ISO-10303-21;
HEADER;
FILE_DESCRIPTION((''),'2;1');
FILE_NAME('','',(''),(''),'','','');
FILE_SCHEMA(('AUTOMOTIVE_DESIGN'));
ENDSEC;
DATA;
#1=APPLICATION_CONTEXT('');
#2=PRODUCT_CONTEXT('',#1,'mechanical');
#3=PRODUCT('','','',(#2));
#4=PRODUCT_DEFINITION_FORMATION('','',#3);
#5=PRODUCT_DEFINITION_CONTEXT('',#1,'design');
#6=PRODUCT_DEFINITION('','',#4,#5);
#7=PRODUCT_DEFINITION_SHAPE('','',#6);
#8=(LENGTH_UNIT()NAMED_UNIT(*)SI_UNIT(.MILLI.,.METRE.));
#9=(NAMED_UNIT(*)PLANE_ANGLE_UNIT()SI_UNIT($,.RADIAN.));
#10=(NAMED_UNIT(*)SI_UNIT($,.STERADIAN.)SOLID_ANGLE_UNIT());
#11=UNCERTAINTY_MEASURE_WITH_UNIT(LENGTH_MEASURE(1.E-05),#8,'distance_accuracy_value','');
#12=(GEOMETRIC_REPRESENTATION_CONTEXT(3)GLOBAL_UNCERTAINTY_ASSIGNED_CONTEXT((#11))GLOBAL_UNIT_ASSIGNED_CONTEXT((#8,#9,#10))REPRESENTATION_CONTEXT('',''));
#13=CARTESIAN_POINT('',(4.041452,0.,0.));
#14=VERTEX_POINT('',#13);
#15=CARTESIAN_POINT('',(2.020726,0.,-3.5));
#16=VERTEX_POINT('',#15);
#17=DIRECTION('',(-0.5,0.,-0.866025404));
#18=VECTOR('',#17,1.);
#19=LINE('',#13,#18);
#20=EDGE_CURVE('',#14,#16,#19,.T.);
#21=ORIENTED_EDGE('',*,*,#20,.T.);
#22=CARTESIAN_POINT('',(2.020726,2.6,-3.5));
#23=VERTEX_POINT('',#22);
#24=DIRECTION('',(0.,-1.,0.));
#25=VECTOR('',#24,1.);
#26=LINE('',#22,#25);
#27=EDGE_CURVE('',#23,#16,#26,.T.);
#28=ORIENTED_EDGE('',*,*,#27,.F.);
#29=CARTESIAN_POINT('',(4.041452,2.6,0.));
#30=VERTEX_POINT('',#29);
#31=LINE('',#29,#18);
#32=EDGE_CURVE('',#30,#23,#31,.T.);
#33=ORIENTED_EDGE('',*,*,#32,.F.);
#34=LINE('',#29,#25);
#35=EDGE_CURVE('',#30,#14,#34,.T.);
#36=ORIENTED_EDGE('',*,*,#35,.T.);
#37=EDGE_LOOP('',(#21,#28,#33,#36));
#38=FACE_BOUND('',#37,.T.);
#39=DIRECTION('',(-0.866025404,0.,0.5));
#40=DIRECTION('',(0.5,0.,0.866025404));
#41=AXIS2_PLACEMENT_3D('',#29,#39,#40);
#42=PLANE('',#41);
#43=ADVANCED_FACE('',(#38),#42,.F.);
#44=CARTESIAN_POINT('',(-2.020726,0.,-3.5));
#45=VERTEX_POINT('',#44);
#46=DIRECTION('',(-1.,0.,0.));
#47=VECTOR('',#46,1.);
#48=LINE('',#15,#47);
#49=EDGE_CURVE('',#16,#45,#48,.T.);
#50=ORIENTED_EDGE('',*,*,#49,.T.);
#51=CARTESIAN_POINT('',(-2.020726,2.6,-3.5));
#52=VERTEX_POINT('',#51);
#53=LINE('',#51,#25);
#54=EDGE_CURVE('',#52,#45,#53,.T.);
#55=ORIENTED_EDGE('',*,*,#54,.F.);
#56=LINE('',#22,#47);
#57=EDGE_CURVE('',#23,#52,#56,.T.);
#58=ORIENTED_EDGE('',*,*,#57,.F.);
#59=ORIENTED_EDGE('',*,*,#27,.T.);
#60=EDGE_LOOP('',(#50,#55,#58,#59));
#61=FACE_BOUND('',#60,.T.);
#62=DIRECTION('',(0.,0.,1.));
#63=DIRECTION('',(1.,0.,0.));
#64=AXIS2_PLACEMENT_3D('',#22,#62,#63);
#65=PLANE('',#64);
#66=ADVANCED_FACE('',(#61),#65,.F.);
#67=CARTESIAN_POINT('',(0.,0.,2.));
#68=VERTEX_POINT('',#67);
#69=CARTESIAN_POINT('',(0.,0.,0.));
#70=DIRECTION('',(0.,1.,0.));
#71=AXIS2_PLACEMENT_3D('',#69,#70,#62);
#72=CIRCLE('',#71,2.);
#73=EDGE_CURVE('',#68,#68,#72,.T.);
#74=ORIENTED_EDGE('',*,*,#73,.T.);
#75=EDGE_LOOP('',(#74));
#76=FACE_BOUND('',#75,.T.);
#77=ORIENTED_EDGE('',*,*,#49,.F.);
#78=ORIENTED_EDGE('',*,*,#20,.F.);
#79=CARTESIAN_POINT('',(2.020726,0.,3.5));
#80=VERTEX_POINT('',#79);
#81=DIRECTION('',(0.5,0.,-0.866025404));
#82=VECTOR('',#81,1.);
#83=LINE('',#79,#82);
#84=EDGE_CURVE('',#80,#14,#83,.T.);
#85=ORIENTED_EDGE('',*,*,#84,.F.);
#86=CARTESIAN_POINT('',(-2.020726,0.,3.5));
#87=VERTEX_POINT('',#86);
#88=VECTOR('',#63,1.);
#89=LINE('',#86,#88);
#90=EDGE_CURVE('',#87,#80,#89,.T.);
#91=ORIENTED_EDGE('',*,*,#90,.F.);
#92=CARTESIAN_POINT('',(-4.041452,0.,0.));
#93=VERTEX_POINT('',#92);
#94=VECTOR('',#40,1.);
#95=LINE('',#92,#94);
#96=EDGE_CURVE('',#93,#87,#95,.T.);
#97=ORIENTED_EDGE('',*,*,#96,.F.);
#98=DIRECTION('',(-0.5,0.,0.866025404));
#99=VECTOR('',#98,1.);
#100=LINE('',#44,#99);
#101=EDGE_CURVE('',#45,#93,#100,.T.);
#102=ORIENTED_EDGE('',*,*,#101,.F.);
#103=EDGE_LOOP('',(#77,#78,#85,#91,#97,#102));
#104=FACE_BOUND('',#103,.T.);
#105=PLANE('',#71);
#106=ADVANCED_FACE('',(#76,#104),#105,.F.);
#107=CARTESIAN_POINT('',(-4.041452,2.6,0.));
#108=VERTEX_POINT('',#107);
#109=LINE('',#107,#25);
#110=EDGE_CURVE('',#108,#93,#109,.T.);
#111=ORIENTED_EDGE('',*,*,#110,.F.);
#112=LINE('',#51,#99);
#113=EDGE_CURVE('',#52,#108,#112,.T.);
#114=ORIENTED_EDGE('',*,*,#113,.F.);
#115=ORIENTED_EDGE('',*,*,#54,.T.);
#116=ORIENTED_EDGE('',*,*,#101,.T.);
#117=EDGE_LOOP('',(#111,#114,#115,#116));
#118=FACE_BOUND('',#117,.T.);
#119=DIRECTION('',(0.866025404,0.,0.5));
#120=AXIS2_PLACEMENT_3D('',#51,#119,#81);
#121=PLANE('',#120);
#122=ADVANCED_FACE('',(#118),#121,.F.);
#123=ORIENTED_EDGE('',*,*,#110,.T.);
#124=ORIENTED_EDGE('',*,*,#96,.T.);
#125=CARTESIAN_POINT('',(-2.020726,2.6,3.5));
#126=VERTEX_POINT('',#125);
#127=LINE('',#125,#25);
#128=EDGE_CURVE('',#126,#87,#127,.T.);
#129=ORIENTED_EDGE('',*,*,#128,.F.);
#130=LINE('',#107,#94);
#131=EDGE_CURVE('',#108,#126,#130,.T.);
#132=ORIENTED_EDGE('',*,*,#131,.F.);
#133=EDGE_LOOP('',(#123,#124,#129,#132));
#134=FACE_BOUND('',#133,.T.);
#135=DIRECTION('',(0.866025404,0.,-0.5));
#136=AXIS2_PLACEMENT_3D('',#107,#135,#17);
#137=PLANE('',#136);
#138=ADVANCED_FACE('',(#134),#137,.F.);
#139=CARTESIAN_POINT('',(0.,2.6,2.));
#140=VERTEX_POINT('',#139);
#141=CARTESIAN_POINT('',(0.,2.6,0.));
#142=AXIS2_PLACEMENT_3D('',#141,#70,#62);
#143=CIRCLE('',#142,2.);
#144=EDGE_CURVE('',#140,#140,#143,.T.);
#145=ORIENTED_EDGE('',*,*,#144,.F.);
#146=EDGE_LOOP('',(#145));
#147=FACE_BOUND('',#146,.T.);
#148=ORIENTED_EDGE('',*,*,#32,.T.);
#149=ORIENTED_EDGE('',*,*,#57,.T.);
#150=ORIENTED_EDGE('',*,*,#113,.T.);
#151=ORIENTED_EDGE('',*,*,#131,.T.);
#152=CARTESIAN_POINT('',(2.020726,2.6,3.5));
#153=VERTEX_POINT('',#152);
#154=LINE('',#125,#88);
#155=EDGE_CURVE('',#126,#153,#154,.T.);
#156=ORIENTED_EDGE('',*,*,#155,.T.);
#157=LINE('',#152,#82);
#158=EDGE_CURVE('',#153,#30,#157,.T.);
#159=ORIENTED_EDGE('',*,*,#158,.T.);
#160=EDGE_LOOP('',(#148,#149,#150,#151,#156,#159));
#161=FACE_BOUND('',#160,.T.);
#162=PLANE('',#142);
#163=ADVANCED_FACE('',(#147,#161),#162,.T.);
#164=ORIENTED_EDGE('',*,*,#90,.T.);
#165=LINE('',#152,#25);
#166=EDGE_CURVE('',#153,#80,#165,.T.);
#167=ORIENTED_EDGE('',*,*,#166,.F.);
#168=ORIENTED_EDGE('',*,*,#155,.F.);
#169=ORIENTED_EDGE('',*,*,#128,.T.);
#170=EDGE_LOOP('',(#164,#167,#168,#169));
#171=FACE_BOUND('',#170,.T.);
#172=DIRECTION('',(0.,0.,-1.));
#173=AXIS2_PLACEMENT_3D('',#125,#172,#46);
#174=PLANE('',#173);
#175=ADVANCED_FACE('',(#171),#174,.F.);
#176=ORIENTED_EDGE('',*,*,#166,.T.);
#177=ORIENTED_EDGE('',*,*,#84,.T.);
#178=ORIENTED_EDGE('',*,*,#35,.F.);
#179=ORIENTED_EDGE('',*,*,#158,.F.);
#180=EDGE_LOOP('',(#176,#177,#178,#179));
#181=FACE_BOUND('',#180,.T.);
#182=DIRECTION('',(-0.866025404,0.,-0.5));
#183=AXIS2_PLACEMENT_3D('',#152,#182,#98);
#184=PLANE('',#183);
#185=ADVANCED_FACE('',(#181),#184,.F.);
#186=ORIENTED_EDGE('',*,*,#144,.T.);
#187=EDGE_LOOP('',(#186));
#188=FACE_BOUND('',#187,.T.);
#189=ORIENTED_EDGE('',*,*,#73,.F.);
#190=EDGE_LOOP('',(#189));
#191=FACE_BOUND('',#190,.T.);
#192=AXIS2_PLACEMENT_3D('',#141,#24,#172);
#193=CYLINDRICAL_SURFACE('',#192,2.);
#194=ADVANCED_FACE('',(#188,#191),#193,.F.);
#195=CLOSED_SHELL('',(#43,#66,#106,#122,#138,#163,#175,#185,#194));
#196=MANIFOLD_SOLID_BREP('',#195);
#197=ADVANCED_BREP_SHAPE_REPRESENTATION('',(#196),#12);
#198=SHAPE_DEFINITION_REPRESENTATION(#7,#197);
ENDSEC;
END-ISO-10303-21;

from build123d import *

# Parameters (mm, degrees)
ESQUISSE1_R        = 2
BOSS_EXTRU_1_DEPTH = 2.6


with BuildPart() as part:
    # Esquisse1 → Boss.-Extru.1 (new body)
    with BuildSketch(Plane(origin=(0, 0, 0), x_dir=(1, 0, 0), z_dir=(0, 1, 0))):
        Polygon((4.041451884, 0), (2.020725942, 3.5), (-2.020725942, 3.5), (-4.041451884, 0), (-2.020725942, -3.5), (2.020725942, -3.5), align=None)
        with Locations(Location((0, 0, 0), (0, 0, 270))):
            Circle(ESQUISSE1_R, mode=Mode.SUBTRACT)
    extrude(amount=BOSS_EXTRU_1_DEPTH)


solid = part.part
